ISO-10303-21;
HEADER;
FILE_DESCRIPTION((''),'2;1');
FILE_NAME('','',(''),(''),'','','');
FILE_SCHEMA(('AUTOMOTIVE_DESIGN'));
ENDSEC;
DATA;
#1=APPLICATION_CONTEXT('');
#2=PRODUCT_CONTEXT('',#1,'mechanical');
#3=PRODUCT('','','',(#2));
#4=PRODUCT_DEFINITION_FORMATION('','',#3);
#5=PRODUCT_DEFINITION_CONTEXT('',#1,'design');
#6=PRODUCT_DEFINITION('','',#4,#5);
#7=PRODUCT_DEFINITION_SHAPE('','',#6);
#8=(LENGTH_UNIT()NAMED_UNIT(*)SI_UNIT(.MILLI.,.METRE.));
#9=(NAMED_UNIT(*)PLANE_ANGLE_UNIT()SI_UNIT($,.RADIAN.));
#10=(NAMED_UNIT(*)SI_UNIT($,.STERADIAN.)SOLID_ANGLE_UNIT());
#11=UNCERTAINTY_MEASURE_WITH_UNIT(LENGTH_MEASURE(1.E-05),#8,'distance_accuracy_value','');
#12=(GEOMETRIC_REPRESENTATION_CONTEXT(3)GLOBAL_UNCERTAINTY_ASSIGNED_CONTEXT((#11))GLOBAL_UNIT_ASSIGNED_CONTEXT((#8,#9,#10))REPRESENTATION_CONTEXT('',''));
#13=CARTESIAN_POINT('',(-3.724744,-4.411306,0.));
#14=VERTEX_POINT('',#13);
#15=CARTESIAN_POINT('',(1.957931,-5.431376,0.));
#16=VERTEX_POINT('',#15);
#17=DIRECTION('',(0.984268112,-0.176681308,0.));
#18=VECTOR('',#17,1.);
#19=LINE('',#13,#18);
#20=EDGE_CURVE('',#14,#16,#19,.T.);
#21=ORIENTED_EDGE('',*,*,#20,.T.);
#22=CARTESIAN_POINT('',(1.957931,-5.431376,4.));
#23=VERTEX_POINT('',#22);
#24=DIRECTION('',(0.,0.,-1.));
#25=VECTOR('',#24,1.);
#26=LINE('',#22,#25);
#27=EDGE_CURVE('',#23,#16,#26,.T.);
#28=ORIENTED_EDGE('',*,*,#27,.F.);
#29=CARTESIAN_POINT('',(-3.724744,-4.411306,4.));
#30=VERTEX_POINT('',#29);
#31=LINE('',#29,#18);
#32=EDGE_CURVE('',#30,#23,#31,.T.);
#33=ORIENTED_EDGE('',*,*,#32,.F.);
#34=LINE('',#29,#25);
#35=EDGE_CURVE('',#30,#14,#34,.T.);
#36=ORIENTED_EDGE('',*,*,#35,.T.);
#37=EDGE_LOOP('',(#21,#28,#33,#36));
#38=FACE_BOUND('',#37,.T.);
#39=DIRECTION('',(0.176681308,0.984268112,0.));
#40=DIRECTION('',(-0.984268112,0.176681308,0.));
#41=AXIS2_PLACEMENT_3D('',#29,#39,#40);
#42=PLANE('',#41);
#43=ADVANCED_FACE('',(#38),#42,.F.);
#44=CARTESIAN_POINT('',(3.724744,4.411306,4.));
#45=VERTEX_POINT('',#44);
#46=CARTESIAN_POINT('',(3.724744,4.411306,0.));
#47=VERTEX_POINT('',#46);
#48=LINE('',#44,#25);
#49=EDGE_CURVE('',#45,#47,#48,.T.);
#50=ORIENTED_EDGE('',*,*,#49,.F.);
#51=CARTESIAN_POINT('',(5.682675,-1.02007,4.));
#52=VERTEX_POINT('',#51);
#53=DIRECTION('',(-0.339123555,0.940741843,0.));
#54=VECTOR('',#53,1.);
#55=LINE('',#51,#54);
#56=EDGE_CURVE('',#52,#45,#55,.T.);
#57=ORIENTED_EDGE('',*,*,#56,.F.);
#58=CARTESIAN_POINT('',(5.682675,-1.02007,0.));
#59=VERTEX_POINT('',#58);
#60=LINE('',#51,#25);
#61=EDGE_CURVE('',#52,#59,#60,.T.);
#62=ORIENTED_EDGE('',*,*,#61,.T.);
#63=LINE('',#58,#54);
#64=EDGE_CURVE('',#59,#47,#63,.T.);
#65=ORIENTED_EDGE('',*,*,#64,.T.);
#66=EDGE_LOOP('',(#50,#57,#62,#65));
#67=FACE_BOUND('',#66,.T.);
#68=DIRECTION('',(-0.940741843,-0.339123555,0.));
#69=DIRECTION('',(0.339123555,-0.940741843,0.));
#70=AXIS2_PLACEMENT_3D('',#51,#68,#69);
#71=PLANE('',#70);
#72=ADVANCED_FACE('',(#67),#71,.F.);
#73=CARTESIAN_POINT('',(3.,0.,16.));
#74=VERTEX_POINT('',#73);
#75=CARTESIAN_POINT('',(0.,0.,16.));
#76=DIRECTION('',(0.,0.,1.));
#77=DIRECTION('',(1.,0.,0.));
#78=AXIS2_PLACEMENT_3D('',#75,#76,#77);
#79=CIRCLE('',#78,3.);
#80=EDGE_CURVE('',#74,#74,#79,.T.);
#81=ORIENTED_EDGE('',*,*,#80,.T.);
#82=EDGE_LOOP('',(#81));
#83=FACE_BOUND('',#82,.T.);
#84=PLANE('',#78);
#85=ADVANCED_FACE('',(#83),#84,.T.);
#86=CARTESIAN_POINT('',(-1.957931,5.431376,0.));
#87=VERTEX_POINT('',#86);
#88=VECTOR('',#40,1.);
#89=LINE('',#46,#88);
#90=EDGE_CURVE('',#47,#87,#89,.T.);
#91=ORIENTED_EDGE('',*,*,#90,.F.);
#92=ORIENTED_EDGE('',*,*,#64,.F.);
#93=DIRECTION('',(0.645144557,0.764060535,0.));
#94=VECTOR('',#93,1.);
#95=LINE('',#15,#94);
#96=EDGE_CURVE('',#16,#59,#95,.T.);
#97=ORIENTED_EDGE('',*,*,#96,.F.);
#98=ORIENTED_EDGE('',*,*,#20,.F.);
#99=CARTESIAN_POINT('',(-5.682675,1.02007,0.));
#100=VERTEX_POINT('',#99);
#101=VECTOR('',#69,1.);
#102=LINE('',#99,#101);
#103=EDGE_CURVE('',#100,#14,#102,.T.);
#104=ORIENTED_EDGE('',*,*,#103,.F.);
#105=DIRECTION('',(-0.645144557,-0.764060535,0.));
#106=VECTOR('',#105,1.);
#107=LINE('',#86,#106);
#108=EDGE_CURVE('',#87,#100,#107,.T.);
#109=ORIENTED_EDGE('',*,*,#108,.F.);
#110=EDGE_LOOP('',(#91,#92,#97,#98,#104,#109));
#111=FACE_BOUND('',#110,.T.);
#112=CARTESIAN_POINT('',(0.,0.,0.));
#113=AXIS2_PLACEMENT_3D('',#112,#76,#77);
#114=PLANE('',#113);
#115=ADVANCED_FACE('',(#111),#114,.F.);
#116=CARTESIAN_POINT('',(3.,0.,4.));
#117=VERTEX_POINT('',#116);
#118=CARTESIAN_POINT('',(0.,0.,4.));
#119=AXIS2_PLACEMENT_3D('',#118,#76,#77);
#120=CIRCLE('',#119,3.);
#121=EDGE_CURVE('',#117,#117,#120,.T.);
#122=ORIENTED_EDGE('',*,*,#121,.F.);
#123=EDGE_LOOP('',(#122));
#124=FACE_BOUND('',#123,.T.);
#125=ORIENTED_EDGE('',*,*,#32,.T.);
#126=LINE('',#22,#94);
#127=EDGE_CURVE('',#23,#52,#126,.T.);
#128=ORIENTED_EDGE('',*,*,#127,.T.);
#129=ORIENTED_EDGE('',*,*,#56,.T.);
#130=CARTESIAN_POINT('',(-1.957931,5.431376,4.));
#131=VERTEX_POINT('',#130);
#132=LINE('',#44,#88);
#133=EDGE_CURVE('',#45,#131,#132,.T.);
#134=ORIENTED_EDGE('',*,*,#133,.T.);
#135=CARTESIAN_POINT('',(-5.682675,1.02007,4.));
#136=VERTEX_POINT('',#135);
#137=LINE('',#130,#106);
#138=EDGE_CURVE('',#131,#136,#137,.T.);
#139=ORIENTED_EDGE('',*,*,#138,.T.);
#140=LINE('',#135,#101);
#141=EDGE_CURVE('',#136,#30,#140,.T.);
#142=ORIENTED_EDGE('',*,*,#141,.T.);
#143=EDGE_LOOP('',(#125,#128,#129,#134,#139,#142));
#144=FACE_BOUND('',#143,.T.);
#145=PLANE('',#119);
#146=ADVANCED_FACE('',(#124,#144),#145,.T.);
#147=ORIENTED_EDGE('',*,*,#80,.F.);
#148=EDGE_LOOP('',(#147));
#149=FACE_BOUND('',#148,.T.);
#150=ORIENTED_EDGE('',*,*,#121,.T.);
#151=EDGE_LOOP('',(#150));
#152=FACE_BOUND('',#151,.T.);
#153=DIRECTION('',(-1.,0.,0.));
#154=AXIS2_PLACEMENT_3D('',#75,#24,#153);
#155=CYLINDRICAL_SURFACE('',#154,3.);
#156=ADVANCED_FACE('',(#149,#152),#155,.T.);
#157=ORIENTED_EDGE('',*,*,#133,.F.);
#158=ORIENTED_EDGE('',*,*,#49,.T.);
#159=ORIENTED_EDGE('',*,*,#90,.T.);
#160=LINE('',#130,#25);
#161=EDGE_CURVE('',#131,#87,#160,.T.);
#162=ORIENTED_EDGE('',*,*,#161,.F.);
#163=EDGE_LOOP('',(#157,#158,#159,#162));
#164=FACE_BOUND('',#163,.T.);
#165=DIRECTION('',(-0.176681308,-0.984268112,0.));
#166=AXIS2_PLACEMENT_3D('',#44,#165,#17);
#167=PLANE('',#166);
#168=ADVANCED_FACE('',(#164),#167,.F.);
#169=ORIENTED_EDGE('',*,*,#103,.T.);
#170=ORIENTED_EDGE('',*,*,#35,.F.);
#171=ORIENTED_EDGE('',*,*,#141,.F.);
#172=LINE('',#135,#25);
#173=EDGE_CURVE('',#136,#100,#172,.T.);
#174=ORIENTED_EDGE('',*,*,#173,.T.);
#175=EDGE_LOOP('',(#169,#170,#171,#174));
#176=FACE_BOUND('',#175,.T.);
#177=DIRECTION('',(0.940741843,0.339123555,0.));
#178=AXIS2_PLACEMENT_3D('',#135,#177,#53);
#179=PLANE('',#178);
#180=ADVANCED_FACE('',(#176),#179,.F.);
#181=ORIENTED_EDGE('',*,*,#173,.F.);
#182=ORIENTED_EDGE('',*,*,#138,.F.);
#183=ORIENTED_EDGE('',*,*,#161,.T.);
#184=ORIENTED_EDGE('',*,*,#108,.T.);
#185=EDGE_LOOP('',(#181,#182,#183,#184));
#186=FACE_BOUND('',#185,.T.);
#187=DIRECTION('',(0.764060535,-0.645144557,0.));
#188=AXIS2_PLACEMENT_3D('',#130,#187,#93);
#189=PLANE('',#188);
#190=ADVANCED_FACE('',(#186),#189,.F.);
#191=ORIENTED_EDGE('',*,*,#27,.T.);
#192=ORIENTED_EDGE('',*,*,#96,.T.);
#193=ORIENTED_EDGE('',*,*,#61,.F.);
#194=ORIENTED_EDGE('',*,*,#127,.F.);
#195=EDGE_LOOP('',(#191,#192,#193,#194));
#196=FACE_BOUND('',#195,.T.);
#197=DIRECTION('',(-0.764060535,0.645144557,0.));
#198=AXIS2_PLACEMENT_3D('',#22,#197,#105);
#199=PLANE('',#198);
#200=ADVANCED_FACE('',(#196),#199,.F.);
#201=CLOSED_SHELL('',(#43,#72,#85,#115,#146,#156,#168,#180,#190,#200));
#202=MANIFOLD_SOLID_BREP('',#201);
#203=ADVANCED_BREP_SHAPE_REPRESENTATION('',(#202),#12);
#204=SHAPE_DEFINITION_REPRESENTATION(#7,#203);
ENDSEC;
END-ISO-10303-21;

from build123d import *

# Parameters (mm, degrees)
EXTRUDE_1_DEPTH = 4
SKETCH_2_R      = 3
EXTRUDE_2_DEPTH = 12


with BuildPart() as part:
    # ｽｹｯﾁ1 → ﾎﾞｽ - 押し出し1 (new body)
    with BuildSketch(Plane.XY):
        Polygon((-3.724743834, -4.411305556), (1.957930758, -5.431375561), (5.682674592, -1.020070005), (3.724743834, 4.411305556), (-1.957930758, 5.431375561), (-5.682674592, 1.020070005), align=None)
    extrude(amount=EXTRUDE_1_DEPTH)

    # ｽｹｯﾁ2 → ﾎﾞｽ - 押し出し2 (add)
    with BuildSketch(Plane.XY.offset(4)):
        Circle(SKETCH_2_R)
    extrude(amount=EXTRUDE_2_DEPTH)


solid = part.part
